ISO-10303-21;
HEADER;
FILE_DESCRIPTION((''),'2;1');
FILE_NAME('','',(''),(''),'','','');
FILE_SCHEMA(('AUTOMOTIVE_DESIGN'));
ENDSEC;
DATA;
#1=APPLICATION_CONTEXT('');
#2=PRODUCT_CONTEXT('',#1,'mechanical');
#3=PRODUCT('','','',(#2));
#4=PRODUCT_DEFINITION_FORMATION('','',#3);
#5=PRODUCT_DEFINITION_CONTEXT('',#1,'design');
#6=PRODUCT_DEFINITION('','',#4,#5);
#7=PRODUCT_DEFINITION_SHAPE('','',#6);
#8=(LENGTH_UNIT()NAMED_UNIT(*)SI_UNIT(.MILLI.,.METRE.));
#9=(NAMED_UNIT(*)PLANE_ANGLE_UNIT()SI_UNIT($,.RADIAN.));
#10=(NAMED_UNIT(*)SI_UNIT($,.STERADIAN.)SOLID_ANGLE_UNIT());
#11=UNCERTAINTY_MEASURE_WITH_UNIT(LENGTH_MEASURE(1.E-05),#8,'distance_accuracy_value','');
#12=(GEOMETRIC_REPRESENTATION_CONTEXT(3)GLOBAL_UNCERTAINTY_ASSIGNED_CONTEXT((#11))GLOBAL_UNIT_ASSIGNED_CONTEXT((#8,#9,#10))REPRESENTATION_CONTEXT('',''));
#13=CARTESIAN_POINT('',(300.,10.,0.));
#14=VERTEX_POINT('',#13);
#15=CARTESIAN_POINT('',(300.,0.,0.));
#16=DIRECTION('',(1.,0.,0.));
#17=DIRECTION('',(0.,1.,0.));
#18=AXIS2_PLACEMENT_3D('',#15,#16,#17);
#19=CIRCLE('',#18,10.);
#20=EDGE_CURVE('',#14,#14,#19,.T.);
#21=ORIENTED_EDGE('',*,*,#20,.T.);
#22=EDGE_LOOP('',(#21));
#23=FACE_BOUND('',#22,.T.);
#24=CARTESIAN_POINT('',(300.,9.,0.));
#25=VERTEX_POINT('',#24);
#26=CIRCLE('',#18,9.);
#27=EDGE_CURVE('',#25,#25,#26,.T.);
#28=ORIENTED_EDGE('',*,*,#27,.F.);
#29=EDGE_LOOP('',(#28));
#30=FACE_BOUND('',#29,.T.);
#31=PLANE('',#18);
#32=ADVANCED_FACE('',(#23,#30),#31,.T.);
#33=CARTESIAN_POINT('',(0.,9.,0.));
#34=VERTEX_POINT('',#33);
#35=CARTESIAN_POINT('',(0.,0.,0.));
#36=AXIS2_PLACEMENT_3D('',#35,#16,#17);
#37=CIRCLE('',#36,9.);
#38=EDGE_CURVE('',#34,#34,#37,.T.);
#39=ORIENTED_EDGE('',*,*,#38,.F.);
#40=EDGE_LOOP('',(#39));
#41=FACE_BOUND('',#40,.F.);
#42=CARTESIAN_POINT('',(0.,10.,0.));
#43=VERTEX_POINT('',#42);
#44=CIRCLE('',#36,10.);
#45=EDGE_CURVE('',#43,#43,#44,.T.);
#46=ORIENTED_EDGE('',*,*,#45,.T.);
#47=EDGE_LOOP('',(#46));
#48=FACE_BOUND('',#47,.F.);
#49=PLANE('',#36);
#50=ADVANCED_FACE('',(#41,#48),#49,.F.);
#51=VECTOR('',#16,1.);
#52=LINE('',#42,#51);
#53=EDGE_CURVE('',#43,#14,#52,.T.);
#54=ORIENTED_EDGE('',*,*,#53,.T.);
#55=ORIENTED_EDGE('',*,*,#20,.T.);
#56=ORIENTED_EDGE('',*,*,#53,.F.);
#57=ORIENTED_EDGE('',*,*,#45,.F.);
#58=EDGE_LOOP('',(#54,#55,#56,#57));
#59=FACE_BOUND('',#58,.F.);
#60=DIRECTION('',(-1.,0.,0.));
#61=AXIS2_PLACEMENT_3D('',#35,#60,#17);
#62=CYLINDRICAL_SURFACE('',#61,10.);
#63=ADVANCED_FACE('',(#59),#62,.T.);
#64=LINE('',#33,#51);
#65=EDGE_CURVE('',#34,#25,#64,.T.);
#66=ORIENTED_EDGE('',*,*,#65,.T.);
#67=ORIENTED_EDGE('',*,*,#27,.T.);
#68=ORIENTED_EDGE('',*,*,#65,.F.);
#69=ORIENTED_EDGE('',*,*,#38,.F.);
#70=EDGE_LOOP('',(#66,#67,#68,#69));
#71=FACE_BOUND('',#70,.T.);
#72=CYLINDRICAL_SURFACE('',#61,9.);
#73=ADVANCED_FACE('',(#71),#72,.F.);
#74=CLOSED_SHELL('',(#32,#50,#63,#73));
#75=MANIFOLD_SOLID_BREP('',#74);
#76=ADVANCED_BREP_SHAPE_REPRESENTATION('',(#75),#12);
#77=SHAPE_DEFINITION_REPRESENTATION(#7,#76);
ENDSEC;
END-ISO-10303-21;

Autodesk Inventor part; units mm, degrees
ref_plane "YZ Plane" through (0, 0, 0) normal (1, 0, 0) x (0, 1, 0)
ref_plane "XZ Plane" through (0, 0, 0) normal (0, 1, 0) x (-1, 0, 0)
ref_plane "XY Plane" through (0, 0, 0) normal (0, 0, 1) x (1, 0, 0)
sketch "Sketch1" plane through (0, 0, 0) normal (1, 0, 0) x (0, 1, 0)
  circle A0 centre (0, 0) radius 10
  circle A1 centre (0, 0) radius 9
  dimension "d0" = 20
  dimension "d6" = 18
extrude "Extrusion1" add sketch "Sketch1" along normal blind 300
equation "\"d0\" = TubeOD"
equation "\"d6\" = TubeID"
equation "\"RodDiameter\" = 8"
equation "\"VerticalBearingOD\" = 16"
equation "\"PrintingClearance\" = 0.2"
equation "\"TubeID\" = 18"
equation "\"TubeOD\" = 20"
properties part number "BeltRoller"
